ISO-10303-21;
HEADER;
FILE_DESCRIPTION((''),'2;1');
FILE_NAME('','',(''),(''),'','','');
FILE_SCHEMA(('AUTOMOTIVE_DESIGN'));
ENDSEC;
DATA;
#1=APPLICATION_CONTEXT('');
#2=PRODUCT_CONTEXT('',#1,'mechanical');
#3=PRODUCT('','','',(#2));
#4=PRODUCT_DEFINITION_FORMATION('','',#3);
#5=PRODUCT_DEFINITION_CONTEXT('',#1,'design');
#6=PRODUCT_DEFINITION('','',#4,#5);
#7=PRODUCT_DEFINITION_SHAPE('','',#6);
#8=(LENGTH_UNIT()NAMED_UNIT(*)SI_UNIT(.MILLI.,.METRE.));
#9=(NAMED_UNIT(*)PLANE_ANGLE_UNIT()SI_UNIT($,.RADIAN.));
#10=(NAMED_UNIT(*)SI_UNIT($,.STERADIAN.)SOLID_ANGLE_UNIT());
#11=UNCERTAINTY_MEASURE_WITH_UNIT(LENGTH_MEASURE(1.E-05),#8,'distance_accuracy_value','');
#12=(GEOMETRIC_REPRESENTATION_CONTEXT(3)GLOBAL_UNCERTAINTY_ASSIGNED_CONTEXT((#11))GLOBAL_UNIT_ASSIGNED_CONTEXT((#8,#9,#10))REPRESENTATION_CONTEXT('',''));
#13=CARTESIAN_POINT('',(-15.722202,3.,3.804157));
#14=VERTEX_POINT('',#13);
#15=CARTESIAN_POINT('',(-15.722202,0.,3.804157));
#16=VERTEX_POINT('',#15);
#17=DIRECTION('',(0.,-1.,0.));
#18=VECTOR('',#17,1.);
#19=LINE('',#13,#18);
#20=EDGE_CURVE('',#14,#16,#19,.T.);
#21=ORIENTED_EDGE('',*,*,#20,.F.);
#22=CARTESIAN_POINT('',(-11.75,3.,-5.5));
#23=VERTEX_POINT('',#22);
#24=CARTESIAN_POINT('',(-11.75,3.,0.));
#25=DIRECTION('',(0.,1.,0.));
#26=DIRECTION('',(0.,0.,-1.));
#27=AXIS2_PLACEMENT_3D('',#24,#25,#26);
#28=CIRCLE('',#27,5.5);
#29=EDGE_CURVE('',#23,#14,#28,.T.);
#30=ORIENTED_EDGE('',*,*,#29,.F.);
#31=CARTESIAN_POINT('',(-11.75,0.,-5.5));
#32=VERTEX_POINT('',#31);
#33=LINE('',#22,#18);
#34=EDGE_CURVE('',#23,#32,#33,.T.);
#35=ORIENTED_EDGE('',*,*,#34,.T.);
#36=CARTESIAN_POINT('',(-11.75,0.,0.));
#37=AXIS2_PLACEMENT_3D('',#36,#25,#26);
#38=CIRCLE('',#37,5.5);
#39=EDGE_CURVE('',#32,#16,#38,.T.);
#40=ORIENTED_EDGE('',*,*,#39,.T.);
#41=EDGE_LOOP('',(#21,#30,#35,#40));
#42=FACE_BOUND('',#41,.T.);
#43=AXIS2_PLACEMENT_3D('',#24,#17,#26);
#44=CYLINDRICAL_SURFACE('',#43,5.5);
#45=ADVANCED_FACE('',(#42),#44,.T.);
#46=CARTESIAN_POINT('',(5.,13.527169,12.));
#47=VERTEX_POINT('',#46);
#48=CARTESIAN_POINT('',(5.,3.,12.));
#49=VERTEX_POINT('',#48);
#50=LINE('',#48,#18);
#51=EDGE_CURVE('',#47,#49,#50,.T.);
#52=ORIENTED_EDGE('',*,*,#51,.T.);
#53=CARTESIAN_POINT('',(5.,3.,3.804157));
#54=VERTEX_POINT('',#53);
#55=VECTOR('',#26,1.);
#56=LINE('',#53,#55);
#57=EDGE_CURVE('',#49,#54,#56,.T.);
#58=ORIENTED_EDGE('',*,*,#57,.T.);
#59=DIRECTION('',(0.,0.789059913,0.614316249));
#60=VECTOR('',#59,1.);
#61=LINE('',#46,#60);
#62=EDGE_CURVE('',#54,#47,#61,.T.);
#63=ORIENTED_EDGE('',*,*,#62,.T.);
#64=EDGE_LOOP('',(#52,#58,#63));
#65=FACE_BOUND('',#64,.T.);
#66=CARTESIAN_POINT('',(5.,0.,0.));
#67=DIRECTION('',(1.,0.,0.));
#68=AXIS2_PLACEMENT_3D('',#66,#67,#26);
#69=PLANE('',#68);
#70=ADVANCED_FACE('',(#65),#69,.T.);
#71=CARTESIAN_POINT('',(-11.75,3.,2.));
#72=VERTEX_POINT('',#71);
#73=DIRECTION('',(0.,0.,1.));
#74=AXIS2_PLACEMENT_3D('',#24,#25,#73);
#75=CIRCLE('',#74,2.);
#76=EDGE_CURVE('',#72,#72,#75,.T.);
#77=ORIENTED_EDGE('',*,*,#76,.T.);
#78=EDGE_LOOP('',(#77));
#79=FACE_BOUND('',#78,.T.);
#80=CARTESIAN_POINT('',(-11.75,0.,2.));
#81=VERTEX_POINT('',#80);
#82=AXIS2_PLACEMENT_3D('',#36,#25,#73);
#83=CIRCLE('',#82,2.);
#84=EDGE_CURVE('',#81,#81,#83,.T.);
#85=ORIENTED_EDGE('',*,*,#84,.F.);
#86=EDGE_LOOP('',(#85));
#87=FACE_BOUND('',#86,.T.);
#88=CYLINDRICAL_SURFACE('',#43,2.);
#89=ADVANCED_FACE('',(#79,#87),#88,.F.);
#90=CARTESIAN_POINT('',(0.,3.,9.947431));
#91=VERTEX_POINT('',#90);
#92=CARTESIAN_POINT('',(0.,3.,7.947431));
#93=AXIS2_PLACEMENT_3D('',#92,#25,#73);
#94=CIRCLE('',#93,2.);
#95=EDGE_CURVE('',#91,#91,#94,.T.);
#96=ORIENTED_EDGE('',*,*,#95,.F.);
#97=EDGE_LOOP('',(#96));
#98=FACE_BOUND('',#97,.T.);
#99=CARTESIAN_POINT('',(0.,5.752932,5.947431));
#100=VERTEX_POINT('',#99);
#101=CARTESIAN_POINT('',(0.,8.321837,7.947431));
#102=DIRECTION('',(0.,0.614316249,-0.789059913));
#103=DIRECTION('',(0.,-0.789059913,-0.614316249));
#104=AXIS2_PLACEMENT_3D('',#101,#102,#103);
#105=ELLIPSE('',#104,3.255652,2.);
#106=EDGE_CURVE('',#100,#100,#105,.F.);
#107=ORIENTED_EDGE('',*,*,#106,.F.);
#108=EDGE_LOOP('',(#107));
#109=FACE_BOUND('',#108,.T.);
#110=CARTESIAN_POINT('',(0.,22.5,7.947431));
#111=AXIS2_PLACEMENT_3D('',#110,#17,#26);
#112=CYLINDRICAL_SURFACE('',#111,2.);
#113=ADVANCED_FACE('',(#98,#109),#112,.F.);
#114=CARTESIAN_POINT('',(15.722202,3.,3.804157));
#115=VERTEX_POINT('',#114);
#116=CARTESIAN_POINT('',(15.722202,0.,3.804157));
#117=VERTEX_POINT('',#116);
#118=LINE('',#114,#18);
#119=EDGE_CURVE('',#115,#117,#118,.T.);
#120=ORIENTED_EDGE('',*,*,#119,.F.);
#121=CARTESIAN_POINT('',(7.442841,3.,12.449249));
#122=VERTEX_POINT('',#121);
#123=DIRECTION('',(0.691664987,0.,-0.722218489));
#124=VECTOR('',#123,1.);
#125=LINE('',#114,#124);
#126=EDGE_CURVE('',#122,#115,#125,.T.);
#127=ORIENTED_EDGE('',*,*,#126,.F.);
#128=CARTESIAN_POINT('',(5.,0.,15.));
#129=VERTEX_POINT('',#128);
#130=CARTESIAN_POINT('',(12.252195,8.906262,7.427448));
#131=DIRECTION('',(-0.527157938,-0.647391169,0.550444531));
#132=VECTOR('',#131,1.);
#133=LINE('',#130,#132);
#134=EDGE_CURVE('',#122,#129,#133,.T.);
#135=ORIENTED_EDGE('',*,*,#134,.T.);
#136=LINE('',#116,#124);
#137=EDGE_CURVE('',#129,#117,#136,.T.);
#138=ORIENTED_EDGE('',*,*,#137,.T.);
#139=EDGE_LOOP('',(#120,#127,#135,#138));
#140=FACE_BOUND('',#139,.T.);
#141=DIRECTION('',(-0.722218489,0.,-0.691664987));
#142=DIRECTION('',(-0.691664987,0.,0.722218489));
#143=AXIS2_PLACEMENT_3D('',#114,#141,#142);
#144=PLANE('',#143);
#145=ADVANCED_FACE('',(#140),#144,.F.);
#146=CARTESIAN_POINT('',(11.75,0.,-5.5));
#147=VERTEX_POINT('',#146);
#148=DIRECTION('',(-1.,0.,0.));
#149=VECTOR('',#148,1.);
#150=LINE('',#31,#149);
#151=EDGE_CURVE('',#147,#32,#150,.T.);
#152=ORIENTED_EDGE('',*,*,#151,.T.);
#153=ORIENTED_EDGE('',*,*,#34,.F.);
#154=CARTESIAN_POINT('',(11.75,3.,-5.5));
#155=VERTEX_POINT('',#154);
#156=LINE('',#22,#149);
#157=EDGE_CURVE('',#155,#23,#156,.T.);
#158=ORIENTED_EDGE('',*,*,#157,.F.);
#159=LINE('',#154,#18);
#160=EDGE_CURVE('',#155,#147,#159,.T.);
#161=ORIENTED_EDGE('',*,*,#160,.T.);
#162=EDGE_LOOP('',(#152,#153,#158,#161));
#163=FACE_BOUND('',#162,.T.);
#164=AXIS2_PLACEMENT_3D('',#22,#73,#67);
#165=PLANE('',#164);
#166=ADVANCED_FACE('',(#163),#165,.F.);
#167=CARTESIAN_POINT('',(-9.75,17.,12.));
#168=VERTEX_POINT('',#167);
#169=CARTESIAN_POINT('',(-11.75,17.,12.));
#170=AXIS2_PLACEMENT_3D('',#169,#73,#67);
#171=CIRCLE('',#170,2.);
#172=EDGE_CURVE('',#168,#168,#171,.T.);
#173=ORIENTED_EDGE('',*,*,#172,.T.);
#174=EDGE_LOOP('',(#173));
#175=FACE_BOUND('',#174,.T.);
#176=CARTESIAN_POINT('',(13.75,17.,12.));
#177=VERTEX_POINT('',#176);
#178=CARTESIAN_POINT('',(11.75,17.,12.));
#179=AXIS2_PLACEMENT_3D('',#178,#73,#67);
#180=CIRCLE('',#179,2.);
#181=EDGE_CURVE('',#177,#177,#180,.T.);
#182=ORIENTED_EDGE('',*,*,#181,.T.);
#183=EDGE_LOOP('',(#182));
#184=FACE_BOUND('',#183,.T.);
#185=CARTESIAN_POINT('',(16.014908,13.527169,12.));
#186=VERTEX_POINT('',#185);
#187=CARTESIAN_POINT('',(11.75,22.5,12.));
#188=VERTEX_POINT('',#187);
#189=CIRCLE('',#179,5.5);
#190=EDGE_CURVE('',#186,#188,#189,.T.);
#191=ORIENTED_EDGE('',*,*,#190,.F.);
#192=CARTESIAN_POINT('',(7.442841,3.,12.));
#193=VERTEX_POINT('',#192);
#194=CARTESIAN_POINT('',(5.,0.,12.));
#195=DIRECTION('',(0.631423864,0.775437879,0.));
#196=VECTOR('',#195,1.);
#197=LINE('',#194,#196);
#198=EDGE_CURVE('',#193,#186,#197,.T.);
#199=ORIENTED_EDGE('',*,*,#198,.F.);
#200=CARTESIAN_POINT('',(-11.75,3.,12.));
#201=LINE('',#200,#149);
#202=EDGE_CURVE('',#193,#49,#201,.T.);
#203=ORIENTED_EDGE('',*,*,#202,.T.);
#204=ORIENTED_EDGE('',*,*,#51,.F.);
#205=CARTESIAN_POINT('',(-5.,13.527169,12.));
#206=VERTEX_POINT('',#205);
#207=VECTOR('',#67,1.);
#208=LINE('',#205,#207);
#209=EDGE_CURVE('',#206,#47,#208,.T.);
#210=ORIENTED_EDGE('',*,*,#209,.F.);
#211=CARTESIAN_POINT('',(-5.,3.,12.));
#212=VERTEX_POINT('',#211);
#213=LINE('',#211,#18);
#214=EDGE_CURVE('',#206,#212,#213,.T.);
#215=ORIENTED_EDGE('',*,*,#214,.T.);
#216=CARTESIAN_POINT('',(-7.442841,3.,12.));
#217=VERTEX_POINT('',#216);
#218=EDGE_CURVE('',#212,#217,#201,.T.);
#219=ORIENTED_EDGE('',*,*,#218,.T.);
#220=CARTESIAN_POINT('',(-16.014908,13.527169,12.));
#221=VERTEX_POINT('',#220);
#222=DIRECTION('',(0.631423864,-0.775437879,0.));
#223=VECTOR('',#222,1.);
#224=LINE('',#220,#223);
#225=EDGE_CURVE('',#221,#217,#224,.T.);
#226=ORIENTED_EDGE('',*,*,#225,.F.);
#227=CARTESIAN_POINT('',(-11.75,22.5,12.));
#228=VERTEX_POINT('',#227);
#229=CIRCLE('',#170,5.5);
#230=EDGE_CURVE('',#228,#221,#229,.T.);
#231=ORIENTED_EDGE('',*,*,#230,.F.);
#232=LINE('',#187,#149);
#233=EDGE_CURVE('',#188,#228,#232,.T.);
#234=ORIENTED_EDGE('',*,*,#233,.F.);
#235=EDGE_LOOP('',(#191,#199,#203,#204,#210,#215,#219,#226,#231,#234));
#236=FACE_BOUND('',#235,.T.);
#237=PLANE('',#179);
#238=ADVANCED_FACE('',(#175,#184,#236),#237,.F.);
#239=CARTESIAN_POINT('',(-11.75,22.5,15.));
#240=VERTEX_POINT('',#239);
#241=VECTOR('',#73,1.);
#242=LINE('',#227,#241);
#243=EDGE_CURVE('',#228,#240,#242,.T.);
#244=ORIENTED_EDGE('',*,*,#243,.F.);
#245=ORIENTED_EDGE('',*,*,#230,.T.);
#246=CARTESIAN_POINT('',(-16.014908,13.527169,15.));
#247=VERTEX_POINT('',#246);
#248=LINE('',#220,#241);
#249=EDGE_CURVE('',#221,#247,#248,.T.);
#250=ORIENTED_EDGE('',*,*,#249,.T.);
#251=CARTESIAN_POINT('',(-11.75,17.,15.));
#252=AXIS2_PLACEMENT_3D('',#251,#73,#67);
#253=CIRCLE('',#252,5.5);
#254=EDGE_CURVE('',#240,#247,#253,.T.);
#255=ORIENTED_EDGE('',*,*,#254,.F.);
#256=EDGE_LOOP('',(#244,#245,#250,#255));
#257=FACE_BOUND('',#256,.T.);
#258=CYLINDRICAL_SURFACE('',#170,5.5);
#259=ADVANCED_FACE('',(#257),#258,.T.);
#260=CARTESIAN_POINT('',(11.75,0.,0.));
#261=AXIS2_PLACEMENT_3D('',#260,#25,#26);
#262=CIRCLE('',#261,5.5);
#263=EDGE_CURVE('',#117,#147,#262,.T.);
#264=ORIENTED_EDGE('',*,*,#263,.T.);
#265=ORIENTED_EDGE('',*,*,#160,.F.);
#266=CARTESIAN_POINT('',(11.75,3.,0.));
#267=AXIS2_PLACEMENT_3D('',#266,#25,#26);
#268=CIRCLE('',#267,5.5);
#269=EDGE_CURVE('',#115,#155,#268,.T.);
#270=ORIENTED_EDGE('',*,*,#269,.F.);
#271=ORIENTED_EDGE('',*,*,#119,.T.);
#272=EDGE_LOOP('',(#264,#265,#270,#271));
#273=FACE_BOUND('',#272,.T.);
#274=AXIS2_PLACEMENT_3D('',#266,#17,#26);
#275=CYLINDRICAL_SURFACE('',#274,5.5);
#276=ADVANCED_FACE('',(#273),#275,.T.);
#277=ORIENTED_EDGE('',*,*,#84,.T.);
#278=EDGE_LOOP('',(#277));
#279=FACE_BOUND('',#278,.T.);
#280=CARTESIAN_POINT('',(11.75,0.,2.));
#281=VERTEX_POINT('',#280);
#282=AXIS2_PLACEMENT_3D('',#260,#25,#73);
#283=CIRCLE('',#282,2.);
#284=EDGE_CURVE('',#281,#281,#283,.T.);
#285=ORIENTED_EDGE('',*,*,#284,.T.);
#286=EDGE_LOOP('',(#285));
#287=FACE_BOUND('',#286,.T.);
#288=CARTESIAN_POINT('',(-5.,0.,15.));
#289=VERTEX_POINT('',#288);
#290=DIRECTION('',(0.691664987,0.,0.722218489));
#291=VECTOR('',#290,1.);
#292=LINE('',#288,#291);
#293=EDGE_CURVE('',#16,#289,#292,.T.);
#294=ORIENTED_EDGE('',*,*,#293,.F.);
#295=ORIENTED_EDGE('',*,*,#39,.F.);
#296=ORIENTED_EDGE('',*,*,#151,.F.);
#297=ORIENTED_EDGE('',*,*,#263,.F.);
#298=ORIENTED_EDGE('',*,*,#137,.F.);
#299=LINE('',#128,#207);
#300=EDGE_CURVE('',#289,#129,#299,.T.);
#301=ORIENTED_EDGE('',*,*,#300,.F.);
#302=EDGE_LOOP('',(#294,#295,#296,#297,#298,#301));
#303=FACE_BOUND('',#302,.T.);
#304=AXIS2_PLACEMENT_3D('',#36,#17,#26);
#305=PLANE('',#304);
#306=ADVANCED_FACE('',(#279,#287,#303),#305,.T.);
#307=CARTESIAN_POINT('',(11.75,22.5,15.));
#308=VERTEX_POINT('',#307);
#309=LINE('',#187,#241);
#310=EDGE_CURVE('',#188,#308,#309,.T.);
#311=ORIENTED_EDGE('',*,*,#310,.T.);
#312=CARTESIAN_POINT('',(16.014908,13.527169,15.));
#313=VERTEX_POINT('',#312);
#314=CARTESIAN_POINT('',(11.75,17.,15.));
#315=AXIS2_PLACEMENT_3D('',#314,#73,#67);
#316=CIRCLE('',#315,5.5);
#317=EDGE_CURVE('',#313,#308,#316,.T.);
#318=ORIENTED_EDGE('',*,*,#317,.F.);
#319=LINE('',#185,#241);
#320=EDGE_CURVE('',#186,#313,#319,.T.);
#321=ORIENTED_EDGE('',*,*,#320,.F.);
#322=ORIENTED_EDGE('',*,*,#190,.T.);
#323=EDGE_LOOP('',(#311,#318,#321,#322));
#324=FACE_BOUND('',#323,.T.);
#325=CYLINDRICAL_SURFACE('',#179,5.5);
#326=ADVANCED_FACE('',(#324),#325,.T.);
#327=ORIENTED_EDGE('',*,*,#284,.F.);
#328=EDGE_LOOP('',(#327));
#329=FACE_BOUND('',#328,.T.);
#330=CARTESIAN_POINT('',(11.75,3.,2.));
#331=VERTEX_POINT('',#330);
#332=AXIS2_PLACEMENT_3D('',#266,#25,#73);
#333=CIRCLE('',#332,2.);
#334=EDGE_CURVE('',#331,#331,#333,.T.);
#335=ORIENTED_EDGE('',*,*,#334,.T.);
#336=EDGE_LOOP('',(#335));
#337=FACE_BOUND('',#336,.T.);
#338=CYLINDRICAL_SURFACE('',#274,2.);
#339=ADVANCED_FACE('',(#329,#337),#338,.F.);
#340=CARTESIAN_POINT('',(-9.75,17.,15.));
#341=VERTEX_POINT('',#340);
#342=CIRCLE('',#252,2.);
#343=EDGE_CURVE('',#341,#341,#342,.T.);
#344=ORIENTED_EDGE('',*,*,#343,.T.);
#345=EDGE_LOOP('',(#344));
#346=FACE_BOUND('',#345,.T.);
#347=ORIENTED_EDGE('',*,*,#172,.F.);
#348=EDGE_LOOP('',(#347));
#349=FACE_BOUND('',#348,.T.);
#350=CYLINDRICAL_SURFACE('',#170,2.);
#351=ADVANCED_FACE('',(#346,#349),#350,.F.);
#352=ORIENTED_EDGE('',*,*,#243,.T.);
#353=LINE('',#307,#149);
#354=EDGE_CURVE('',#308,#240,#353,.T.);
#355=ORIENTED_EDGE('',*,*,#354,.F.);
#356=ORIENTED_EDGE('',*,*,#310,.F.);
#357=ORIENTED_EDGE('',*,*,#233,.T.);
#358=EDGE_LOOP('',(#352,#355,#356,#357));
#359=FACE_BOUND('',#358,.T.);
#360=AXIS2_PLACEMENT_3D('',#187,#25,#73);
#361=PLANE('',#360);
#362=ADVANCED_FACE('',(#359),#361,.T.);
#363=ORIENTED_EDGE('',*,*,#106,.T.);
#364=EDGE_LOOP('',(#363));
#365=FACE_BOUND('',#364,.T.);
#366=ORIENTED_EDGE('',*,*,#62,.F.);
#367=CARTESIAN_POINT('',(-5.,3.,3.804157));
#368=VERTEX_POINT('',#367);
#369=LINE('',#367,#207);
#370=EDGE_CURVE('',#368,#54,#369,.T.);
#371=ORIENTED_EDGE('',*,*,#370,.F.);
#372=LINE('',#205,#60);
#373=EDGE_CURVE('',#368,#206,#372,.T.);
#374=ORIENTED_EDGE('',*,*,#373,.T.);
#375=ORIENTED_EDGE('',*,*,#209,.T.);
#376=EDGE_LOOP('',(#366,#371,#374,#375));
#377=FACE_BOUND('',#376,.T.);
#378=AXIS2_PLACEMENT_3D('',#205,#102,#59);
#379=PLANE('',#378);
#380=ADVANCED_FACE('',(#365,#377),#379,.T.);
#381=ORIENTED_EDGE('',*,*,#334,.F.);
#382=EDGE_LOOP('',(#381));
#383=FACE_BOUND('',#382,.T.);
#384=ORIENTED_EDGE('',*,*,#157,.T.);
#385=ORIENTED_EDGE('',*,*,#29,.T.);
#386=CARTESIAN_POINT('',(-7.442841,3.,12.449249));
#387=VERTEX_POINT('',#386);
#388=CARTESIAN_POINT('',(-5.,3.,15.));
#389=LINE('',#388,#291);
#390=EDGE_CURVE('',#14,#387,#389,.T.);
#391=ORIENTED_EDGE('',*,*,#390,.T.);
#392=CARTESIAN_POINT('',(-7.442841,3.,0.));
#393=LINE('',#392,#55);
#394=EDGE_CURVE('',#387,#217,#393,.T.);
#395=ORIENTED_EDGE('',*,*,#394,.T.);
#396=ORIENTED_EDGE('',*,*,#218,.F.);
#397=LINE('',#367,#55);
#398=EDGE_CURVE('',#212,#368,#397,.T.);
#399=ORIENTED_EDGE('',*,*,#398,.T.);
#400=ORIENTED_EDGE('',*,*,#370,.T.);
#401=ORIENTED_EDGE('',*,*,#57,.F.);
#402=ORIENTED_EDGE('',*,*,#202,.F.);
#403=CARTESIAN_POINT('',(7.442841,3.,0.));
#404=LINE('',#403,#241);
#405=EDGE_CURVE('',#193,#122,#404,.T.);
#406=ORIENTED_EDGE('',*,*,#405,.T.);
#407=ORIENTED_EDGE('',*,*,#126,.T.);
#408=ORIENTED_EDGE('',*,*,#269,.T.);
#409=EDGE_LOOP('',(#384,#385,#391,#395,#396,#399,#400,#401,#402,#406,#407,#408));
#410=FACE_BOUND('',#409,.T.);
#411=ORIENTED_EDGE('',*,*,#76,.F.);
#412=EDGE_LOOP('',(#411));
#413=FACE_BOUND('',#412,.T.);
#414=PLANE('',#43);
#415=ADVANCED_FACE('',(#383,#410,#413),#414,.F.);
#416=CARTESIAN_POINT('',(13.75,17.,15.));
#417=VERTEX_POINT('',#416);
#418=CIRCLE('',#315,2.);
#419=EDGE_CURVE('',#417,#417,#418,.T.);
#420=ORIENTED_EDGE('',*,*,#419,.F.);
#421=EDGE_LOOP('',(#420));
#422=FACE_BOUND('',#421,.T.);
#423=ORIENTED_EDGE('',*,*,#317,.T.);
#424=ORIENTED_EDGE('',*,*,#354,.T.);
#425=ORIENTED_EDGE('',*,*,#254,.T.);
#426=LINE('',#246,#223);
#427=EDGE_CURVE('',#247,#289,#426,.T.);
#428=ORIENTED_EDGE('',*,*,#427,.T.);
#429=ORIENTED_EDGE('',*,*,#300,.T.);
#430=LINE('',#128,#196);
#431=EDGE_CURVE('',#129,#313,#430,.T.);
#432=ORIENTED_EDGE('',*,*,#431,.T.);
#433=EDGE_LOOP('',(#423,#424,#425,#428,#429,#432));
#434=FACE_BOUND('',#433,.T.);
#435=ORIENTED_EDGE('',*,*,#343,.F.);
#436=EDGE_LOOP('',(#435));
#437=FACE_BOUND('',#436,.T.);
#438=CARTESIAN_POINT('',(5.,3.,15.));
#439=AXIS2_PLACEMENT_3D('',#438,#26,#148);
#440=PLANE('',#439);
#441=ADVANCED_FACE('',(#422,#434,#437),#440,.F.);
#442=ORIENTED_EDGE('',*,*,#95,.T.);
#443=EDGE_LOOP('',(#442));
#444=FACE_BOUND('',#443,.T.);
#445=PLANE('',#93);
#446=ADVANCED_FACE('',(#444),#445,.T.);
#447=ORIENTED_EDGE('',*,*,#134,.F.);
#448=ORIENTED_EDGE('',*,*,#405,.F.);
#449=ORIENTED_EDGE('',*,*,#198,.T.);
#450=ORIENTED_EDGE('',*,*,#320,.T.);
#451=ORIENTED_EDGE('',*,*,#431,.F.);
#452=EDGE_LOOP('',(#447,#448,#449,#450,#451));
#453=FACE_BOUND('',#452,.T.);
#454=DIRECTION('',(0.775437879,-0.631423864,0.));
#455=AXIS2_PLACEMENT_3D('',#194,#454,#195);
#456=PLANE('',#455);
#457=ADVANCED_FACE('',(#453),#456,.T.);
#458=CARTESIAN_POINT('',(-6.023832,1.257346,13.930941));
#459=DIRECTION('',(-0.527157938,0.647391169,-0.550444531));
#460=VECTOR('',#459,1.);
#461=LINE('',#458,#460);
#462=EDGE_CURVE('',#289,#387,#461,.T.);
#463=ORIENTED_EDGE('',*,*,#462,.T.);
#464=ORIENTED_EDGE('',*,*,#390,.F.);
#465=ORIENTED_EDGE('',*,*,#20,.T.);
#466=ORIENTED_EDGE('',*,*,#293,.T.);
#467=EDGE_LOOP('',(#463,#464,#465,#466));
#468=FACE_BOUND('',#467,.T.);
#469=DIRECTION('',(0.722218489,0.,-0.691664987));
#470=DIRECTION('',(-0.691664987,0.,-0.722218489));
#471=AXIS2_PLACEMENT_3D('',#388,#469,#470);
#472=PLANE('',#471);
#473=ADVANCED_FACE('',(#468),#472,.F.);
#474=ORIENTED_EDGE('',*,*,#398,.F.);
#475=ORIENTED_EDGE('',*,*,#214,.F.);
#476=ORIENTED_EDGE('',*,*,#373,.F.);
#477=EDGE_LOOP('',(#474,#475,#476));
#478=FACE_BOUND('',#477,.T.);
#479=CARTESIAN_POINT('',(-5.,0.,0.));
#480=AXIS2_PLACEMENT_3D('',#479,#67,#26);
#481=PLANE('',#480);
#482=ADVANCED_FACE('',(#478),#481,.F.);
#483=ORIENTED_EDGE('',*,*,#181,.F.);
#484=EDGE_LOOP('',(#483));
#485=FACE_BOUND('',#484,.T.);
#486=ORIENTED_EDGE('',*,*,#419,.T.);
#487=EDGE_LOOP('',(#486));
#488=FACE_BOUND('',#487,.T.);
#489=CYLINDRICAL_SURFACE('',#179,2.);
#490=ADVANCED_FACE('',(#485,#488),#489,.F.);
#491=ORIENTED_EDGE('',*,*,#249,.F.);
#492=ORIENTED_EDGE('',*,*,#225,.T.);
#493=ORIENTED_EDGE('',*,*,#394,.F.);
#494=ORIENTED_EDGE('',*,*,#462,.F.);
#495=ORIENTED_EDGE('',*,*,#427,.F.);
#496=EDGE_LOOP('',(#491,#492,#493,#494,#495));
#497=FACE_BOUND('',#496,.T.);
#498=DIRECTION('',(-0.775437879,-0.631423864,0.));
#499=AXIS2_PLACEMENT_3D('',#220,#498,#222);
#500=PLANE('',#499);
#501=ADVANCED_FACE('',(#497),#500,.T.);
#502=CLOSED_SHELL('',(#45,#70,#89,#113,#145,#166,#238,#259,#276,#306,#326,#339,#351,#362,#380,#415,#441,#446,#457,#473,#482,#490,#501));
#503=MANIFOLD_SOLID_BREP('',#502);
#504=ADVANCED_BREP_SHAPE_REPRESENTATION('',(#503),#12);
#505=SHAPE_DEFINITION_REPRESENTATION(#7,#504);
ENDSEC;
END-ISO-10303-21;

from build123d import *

# Parameters (mm, degrees)
SKETCH_1_R           = 2
EXTRUDE_1_DEPTH      = 3
SKETCH_2_R           = 2
EXTRUDE_2_DEPTH      = 3
EXTRUDE_3_DEPTH      = 5
EXTRUDE_3_DEPTH_BACK = 5
SKETCH_4_R           = 2
CUT_EXTRUDE_1_DEPTH  = 31.046838436


with BuildPart() as part:
    # 草图1 → 凸台-拉伸1 (new body)
    with BuildSketch(Plane(origin=(0, 0, 0), x_dir=(1, 0, 0), z_dir=(0, 1, 0))):
        with BuildLine():
            Line((-11.75, 5.5), (11.75, 5.5))
            ThreePointArc((11.75, 5.5), (16.808303364, 2.159529364), (15.72220169, -3.804157427))
            Line((15.72220169, -3.804157427), (5, -15))
            Line((5, -15), (-5, -15))
            Line((-5, -15), (-15.72220169, -3.804157427))
            ThreePointArc((-15.72220169, -3.804157427), (-16.808303364, 2.159529364), (-11.75, 5.5))
        make_face()
        with Locations((-11.75, 0)):
            Circle(SKETCH_1_R, mode=Mode.SUBTRACT)
        with Locations((11.75, 0)):
            Circle(SKETCH_1_R, mode=Mode.SUBTRACT)
    extrude(amount=EXTRUDE_1_DEPTH)

    # 草图2 → 凸台-拉伸2 (add)
    with BuildSketch(Plane.XY.offset(15)):
        with BuildLine():
            Line((11.75, 22.5), (-11.75, 22.5))
            ThreePointArc((-11.75, 22.5), (-16.717422464, 19.361083239), (-16.014908335, 13.527168749))
            Line((-16.014908335, 13.527168749), (-5, 0))
            Line((-5, 0), (5, 0))
            Line((5, 0), (16.014908335, 13.527168749))
            ThreePointArc((16.014908335, 13.527168749), (16.717422464, 19.361083239), (11.75, 22.5))
        make_face()
        with Locations((11.75, 17)):
            Circle(SKETCH_2_R, mode=Mode.SUBTRACT)
        with Locations((-11.75, 17)):
            Circle(SKETCH_2_R, mode=Mode.SUBTRACT)
    extrude(amount=-EXTRUDE_2_DEPTH)

    # 草图3 → 凸台-拉伸3 (add, two sides: drawn at the far end of the back side and taken through both)
    with BuildSketch(Plane(origin=(0, 0, 0), x_dir=(0, 0, -1), z_dir=(1, 0, 0)).offset(-EXTRUDE_3_DEPTH_BACK)):
        Polygon((-12, 13.527168749), (-3.804157427, 3), (-12, 3), align=None)
    extrude(amount=EXTRUDE_3_DEPTH + EXTRUDE_3_DEPTH_BACK)

    # 草图4 → 切除-拉伸1 (cut, through all)
    with BuildSketch(Plane(origin=(0, 3, 0), x_dir=(1, 0, 0), z_dir=(0, 1, 0))):
        with Locations((0, -7.947430558)):
            Circle(SKETCH_4_R)
    extrude(amount=CUT_EXTRUDE_1_DEPTH, mode=Mode.SUBTRACT)


solid = part.part
